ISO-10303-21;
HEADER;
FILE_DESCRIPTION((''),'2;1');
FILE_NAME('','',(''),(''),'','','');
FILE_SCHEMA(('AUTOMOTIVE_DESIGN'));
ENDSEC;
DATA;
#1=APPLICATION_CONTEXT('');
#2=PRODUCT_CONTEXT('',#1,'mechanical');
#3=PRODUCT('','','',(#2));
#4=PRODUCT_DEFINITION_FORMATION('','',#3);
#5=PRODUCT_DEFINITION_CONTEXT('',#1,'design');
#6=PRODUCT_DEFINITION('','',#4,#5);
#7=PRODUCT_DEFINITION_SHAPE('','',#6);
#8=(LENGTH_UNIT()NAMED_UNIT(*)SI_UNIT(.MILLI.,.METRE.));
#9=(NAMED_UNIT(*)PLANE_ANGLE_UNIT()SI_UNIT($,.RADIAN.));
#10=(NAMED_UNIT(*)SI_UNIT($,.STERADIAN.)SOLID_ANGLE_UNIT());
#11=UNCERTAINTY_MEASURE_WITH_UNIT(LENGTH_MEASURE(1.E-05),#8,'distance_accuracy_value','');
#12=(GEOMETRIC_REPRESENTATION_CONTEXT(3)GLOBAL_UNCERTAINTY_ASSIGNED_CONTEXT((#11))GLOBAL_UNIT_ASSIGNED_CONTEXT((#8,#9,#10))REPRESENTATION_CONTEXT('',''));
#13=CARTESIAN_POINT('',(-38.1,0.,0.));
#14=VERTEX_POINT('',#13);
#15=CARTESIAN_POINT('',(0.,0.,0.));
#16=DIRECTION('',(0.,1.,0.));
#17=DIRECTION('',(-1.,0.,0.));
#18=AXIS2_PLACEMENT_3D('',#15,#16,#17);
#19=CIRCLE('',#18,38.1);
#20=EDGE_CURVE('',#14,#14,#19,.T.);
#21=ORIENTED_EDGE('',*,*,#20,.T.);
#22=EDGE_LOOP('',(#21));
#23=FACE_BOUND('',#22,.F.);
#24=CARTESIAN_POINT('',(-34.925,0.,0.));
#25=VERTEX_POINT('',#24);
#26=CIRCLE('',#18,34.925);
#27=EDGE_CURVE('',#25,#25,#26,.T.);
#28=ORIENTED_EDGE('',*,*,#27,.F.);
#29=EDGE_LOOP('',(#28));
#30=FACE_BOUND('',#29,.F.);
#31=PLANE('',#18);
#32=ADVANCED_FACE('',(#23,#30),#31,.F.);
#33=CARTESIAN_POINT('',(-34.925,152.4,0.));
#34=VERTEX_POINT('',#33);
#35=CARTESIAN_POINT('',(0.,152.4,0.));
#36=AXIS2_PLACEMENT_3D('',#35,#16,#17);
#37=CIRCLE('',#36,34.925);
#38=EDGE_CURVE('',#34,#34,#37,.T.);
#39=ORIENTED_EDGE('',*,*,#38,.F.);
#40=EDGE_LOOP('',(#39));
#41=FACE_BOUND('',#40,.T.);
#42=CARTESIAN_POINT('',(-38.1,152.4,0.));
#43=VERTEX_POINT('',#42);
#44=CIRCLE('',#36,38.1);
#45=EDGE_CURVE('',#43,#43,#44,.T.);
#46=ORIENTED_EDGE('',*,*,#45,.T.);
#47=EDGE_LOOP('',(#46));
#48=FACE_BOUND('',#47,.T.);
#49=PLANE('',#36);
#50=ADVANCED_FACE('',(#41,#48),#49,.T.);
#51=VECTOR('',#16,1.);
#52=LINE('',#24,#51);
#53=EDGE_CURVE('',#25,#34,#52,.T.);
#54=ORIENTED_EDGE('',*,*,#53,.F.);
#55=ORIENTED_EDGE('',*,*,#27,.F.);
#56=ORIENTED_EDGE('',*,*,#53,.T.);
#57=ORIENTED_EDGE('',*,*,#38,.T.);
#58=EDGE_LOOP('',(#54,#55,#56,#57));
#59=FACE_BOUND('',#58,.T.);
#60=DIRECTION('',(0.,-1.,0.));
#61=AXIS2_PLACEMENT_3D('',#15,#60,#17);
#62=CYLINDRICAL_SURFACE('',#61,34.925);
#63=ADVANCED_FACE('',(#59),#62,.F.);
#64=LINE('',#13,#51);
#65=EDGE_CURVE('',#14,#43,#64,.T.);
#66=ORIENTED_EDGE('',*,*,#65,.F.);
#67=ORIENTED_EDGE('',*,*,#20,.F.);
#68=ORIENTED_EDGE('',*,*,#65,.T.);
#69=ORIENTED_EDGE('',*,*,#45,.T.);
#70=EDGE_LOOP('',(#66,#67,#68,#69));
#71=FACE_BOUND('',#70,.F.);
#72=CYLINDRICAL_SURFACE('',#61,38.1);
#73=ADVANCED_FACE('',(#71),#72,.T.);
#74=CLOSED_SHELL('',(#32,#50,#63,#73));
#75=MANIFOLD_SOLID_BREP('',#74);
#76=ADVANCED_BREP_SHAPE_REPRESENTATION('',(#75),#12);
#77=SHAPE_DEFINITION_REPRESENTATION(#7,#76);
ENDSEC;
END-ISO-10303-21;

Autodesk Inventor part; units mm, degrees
ref_plane "YZ Plane" through (0, 0, 0) normal (1, 0, 0) x (0, 1, 0)
ref_plane "XZ Plane" through (0, 0, 0) normal (0, 1, 0) x (-1, 0, 0)
ref_plane "XY Plane" through (0, 0, 0) normal (0, 0, 1) x (1, 0, 0)
sketch "Sketch1" plane through (0, 0, 0) normal (0, 1, 0) x (-1, 0, 0)
  circle A0 centre (0, 0) radius 34.925
  circle A1 centre (0, 0) radius 38.1
  dimension "d0" = 69.85
  dimension "d1" = 76.2
extrude "Extrusion1" add sketch "Sketch1" along normal blind 152.4
properties part number "tube"
